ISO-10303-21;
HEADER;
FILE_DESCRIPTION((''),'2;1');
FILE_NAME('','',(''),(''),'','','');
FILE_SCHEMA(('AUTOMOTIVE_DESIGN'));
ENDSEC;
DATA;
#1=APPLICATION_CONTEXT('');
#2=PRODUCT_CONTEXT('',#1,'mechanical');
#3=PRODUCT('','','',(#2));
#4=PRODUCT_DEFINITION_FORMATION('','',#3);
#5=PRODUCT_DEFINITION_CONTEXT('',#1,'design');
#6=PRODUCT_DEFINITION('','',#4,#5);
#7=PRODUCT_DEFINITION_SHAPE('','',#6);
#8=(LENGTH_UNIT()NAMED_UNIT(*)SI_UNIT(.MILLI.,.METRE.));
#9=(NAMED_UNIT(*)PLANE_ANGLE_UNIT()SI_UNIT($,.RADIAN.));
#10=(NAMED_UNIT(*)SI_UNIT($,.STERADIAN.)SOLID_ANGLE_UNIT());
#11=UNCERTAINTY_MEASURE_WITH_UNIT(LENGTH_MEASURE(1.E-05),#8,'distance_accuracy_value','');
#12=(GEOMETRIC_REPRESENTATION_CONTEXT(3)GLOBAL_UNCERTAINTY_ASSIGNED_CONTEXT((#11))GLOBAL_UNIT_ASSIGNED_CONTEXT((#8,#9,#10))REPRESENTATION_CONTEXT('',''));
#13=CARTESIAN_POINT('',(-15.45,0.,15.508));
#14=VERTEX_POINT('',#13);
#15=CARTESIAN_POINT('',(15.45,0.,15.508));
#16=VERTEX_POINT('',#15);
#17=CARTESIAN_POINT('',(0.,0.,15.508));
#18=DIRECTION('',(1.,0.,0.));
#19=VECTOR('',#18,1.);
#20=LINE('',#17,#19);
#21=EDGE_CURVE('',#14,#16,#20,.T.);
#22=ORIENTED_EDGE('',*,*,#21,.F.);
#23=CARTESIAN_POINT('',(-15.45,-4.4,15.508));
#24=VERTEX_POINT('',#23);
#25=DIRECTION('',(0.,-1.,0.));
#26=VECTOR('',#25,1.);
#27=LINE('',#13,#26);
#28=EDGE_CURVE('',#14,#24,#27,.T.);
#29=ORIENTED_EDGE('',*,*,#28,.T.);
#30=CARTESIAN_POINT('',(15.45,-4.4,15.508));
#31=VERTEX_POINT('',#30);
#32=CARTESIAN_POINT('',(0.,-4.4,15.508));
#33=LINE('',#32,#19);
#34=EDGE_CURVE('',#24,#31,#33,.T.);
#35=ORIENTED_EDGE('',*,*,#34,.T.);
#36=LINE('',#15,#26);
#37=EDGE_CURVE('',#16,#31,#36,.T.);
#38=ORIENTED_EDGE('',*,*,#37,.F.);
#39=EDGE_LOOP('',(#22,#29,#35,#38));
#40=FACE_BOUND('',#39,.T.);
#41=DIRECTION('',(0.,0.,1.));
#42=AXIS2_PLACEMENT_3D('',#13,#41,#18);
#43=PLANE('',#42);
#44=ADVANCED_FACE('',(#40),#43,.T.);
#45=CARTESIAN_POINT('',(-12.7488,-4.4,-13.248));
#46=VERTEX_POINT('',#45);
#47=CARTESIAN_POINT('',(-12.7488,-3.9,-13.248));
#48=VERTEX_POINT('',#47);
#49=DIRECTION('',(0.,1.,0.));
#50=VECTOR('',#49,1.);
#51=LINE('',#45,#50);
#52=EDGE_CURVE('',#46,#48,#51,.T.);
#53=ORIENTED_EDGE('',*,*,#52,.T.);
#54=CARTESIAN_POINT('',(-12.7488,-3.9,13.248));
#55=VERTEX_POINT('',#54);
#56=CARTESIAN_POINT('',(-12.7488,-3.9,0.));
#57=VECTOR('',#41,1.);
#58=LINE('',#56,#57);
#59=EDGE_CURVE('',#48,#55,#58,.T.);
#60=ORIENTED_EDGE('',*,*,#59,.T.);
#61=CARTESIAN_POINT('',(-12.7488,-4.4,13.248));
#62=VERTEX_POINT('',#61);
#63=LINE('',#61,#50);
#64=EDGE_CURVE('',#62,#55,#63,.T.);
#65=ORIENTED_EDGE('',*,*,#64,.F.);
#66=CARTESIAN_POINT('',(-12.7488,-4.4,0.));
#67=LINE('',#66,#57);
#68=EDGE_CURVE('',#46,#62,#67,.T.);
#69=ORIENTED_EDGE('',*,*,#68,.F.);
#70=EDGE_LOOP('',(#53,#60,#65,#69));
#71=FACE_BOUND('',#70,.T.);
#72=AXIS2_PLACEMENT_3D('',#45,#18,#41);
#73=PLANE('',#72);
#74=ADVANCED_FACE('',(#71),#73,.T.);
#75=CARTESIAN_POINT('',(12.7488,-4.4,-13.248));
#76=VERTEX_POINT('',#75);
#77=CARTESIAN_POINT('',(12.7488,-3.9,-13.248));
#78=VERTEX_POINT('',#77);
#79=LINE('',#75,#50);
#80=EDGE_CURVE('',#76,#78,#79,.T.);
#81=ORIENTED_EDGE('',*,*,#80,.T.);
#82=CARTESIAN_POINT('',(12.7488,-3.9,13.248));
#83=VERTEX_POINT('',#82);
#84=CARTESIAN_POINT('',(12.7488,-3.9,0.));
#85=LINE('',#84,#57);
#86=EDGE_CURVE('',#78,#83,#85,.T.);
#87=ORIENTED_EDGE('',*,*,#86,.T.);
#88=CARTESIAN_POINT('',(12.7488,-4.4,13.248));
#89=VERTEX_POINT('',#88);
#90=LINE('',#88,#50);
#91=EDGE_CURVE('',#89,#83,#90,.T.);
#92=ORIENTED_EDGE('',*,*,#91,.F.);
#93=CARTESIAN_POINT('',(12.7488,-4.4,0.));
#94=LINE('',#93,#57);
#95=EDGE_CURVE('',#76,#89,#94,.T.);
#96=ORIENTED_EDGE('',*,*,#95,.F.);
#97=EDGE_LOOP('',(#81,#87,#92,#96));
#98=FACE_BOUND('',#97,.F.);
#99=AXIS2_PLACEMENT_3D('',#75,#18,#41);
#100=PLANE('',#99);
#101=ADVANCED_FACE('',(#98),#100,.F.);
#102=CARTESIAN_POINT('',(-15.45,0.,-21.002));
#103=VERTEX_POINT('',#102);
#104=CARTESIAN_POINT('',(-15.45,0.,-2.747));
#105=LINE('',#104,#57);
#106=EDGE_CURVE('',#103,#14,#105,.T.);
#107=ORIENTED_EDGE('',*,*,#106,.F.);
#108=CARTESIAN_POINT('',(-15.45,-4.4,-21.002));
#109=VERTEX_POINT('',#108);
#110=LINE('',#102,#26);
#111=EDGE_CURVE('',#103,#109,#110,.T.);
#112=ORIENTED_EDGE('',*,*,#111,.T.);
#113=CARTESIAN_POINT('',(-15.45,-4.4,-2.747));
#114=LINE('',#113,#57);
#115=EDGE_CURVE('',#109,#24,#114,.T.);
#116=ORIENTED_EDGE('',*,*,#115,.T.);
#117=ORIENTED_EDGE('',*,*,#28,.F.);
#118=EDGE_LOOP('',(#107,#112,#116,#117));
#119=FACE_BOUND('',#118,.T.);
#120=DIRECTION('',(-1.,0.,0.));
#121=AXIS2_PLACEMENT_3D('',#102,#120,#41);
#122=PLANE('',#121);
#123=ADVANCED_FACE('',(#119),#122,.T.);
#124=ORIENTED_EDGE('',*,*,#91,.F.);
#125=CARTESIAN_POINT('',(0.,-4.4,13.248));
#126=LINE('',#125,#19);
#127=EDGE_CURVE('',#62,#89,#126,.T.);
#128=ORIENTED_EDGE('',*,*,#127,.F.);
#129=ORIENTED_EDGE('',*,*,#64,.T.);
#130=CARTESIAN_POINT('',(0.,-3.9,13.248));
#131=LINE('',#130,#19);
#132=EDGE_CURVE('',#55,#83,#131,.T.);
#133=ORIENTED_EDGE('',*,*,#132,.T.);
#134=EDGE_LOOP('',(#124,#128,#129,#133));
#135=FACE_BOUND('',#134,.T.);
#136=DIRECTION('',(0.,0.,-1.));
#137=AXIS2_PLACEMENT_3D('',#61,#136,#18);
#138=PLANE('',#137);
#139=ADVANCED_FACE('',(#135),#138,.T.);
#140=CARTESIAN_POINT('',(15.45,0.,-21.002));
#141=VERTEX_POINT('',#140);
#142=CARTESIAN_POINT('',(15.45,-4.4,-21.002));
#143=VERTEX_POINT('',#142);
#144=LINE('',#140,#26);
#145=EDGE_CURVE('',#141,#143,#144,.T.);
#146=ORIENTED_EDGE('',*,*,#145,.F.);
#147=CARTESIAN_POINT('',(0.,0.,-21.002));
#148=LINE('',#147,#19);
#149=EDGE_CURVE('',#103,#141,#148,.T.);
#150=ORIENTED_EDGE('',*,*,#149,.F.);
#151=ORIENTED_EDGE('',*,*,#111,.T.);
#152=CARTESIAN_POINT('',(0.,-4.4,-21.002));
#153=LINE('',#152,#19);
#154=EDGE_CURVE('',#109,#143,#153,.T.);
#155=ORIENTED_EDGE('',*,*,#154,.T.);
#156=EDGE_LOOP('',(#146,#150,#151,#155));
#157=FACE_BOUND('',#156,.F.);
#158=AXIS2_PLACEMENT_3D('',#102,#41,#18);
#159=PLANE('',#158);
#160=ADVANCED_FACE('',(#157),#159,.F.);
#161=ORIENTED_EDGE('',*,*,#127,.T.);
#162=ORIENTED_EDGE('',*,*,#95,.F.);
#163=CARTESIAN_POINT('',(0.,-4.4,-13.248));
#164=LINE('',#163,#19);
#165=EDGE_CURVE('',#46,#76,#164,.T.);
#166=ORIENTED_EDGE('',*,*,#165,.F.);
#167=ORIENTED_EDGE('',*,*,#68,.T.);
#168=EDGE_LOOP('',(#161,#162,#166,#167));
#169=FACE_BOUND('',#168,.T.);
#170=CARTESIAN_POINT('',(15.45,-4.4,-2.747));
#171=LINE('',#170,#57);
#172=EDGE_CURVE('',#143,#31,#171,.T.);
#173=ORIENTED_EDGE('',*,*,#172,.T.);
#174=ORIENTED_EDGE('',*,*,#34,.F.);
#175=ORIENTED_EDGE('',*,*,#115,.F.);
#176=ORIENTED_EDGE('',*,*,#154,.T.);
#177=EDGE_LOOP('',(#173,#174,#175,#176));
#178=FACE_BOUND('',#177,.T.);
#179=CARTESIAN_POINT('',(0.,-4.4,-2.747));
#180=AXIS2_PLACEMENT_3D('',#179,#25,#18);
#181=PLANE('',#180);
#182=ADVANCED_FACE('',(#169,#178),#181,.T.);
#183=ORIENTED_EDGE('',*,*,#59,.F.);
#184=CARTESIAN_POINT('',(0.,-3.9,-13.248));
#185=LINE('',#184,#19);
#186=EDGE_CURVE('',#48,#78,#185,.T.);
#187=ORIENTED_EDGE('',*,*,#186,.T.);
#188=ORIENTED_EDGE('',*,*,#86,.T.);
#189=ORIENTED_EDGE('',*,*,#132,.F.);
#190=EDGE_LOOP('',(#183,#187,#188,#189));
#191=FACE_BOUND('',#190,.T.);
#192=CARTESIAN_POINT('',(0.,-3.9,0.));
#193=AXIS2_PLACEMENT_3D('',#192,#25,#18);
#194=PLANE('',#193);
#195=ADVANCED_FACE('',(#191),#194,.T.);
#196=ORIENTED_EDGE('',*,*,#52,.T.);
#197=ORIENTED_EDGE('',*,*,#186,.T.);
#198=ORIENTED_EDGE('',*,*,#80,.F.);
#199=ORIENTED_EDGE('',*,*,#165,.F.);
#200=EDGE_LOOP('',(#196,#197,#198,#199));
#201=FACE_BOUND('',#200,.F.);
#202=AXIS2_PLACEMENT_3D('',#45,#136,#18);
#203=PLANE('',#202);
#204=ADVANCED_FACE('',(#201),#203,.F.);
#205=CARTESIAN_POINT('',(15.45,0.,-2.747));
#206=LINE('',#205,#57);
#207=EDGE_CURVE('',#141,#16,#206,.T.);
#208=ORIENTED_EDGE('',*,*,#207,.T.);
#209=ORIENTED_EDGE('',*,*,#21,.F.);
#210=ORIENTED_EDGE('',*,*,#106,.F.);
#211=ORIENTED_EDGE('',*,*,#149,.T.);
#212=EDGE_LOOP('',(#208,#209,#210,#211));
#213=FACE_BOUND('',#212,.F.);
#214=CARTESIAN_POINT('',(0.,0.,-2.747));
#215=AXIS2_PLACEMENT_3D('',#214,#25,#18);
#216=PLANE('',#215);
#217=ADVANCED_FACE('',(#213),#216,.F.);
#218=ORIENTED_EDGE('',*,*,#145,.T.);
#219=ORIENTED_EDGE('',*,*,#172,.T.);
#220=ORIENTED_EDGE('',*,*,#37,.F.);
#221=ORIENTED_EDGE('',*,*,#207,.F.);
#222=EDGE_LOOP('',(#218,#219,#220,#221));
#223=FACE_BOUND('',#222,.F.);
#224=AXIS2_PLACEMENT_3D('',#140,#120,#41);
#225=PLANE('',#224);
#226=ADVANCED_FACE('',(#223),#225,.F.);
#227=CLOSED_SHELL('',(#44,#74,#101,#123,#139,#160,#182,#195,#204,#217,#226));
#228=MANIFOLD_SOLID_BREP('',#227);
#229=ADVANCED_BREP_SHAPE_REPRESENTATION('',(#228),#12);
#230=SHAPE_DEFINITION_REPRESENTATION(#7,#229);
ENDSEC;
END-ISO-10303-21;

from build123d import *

# Parameters (mm, degrees)
F0_W     = 30.9
F0_H     = 36.51
F1_DEPTH = 4.4
F2_W     = 25.4976
F2_H     = 26.496
F3_DEPTH = 0.5


with BuildPart() as f1:
    # F0 (on Front) → F1 (new body)
    with BuildSketch(Plane.XZ):
        with Locations((0, -2.747)):
            Rectangle(F0_W, F0_H)
    extrude(amount=F1_DEPTH)

    # F2 (on face) → F3 (cut)
    with BuildSketch(Plane.XZ.offset(4.4)):
        Rectangle(F2_W, F2_H)
    extrude(amount=-F3_DEPTH, mode=Mode.SUBTRACT)


solid = f1.part
